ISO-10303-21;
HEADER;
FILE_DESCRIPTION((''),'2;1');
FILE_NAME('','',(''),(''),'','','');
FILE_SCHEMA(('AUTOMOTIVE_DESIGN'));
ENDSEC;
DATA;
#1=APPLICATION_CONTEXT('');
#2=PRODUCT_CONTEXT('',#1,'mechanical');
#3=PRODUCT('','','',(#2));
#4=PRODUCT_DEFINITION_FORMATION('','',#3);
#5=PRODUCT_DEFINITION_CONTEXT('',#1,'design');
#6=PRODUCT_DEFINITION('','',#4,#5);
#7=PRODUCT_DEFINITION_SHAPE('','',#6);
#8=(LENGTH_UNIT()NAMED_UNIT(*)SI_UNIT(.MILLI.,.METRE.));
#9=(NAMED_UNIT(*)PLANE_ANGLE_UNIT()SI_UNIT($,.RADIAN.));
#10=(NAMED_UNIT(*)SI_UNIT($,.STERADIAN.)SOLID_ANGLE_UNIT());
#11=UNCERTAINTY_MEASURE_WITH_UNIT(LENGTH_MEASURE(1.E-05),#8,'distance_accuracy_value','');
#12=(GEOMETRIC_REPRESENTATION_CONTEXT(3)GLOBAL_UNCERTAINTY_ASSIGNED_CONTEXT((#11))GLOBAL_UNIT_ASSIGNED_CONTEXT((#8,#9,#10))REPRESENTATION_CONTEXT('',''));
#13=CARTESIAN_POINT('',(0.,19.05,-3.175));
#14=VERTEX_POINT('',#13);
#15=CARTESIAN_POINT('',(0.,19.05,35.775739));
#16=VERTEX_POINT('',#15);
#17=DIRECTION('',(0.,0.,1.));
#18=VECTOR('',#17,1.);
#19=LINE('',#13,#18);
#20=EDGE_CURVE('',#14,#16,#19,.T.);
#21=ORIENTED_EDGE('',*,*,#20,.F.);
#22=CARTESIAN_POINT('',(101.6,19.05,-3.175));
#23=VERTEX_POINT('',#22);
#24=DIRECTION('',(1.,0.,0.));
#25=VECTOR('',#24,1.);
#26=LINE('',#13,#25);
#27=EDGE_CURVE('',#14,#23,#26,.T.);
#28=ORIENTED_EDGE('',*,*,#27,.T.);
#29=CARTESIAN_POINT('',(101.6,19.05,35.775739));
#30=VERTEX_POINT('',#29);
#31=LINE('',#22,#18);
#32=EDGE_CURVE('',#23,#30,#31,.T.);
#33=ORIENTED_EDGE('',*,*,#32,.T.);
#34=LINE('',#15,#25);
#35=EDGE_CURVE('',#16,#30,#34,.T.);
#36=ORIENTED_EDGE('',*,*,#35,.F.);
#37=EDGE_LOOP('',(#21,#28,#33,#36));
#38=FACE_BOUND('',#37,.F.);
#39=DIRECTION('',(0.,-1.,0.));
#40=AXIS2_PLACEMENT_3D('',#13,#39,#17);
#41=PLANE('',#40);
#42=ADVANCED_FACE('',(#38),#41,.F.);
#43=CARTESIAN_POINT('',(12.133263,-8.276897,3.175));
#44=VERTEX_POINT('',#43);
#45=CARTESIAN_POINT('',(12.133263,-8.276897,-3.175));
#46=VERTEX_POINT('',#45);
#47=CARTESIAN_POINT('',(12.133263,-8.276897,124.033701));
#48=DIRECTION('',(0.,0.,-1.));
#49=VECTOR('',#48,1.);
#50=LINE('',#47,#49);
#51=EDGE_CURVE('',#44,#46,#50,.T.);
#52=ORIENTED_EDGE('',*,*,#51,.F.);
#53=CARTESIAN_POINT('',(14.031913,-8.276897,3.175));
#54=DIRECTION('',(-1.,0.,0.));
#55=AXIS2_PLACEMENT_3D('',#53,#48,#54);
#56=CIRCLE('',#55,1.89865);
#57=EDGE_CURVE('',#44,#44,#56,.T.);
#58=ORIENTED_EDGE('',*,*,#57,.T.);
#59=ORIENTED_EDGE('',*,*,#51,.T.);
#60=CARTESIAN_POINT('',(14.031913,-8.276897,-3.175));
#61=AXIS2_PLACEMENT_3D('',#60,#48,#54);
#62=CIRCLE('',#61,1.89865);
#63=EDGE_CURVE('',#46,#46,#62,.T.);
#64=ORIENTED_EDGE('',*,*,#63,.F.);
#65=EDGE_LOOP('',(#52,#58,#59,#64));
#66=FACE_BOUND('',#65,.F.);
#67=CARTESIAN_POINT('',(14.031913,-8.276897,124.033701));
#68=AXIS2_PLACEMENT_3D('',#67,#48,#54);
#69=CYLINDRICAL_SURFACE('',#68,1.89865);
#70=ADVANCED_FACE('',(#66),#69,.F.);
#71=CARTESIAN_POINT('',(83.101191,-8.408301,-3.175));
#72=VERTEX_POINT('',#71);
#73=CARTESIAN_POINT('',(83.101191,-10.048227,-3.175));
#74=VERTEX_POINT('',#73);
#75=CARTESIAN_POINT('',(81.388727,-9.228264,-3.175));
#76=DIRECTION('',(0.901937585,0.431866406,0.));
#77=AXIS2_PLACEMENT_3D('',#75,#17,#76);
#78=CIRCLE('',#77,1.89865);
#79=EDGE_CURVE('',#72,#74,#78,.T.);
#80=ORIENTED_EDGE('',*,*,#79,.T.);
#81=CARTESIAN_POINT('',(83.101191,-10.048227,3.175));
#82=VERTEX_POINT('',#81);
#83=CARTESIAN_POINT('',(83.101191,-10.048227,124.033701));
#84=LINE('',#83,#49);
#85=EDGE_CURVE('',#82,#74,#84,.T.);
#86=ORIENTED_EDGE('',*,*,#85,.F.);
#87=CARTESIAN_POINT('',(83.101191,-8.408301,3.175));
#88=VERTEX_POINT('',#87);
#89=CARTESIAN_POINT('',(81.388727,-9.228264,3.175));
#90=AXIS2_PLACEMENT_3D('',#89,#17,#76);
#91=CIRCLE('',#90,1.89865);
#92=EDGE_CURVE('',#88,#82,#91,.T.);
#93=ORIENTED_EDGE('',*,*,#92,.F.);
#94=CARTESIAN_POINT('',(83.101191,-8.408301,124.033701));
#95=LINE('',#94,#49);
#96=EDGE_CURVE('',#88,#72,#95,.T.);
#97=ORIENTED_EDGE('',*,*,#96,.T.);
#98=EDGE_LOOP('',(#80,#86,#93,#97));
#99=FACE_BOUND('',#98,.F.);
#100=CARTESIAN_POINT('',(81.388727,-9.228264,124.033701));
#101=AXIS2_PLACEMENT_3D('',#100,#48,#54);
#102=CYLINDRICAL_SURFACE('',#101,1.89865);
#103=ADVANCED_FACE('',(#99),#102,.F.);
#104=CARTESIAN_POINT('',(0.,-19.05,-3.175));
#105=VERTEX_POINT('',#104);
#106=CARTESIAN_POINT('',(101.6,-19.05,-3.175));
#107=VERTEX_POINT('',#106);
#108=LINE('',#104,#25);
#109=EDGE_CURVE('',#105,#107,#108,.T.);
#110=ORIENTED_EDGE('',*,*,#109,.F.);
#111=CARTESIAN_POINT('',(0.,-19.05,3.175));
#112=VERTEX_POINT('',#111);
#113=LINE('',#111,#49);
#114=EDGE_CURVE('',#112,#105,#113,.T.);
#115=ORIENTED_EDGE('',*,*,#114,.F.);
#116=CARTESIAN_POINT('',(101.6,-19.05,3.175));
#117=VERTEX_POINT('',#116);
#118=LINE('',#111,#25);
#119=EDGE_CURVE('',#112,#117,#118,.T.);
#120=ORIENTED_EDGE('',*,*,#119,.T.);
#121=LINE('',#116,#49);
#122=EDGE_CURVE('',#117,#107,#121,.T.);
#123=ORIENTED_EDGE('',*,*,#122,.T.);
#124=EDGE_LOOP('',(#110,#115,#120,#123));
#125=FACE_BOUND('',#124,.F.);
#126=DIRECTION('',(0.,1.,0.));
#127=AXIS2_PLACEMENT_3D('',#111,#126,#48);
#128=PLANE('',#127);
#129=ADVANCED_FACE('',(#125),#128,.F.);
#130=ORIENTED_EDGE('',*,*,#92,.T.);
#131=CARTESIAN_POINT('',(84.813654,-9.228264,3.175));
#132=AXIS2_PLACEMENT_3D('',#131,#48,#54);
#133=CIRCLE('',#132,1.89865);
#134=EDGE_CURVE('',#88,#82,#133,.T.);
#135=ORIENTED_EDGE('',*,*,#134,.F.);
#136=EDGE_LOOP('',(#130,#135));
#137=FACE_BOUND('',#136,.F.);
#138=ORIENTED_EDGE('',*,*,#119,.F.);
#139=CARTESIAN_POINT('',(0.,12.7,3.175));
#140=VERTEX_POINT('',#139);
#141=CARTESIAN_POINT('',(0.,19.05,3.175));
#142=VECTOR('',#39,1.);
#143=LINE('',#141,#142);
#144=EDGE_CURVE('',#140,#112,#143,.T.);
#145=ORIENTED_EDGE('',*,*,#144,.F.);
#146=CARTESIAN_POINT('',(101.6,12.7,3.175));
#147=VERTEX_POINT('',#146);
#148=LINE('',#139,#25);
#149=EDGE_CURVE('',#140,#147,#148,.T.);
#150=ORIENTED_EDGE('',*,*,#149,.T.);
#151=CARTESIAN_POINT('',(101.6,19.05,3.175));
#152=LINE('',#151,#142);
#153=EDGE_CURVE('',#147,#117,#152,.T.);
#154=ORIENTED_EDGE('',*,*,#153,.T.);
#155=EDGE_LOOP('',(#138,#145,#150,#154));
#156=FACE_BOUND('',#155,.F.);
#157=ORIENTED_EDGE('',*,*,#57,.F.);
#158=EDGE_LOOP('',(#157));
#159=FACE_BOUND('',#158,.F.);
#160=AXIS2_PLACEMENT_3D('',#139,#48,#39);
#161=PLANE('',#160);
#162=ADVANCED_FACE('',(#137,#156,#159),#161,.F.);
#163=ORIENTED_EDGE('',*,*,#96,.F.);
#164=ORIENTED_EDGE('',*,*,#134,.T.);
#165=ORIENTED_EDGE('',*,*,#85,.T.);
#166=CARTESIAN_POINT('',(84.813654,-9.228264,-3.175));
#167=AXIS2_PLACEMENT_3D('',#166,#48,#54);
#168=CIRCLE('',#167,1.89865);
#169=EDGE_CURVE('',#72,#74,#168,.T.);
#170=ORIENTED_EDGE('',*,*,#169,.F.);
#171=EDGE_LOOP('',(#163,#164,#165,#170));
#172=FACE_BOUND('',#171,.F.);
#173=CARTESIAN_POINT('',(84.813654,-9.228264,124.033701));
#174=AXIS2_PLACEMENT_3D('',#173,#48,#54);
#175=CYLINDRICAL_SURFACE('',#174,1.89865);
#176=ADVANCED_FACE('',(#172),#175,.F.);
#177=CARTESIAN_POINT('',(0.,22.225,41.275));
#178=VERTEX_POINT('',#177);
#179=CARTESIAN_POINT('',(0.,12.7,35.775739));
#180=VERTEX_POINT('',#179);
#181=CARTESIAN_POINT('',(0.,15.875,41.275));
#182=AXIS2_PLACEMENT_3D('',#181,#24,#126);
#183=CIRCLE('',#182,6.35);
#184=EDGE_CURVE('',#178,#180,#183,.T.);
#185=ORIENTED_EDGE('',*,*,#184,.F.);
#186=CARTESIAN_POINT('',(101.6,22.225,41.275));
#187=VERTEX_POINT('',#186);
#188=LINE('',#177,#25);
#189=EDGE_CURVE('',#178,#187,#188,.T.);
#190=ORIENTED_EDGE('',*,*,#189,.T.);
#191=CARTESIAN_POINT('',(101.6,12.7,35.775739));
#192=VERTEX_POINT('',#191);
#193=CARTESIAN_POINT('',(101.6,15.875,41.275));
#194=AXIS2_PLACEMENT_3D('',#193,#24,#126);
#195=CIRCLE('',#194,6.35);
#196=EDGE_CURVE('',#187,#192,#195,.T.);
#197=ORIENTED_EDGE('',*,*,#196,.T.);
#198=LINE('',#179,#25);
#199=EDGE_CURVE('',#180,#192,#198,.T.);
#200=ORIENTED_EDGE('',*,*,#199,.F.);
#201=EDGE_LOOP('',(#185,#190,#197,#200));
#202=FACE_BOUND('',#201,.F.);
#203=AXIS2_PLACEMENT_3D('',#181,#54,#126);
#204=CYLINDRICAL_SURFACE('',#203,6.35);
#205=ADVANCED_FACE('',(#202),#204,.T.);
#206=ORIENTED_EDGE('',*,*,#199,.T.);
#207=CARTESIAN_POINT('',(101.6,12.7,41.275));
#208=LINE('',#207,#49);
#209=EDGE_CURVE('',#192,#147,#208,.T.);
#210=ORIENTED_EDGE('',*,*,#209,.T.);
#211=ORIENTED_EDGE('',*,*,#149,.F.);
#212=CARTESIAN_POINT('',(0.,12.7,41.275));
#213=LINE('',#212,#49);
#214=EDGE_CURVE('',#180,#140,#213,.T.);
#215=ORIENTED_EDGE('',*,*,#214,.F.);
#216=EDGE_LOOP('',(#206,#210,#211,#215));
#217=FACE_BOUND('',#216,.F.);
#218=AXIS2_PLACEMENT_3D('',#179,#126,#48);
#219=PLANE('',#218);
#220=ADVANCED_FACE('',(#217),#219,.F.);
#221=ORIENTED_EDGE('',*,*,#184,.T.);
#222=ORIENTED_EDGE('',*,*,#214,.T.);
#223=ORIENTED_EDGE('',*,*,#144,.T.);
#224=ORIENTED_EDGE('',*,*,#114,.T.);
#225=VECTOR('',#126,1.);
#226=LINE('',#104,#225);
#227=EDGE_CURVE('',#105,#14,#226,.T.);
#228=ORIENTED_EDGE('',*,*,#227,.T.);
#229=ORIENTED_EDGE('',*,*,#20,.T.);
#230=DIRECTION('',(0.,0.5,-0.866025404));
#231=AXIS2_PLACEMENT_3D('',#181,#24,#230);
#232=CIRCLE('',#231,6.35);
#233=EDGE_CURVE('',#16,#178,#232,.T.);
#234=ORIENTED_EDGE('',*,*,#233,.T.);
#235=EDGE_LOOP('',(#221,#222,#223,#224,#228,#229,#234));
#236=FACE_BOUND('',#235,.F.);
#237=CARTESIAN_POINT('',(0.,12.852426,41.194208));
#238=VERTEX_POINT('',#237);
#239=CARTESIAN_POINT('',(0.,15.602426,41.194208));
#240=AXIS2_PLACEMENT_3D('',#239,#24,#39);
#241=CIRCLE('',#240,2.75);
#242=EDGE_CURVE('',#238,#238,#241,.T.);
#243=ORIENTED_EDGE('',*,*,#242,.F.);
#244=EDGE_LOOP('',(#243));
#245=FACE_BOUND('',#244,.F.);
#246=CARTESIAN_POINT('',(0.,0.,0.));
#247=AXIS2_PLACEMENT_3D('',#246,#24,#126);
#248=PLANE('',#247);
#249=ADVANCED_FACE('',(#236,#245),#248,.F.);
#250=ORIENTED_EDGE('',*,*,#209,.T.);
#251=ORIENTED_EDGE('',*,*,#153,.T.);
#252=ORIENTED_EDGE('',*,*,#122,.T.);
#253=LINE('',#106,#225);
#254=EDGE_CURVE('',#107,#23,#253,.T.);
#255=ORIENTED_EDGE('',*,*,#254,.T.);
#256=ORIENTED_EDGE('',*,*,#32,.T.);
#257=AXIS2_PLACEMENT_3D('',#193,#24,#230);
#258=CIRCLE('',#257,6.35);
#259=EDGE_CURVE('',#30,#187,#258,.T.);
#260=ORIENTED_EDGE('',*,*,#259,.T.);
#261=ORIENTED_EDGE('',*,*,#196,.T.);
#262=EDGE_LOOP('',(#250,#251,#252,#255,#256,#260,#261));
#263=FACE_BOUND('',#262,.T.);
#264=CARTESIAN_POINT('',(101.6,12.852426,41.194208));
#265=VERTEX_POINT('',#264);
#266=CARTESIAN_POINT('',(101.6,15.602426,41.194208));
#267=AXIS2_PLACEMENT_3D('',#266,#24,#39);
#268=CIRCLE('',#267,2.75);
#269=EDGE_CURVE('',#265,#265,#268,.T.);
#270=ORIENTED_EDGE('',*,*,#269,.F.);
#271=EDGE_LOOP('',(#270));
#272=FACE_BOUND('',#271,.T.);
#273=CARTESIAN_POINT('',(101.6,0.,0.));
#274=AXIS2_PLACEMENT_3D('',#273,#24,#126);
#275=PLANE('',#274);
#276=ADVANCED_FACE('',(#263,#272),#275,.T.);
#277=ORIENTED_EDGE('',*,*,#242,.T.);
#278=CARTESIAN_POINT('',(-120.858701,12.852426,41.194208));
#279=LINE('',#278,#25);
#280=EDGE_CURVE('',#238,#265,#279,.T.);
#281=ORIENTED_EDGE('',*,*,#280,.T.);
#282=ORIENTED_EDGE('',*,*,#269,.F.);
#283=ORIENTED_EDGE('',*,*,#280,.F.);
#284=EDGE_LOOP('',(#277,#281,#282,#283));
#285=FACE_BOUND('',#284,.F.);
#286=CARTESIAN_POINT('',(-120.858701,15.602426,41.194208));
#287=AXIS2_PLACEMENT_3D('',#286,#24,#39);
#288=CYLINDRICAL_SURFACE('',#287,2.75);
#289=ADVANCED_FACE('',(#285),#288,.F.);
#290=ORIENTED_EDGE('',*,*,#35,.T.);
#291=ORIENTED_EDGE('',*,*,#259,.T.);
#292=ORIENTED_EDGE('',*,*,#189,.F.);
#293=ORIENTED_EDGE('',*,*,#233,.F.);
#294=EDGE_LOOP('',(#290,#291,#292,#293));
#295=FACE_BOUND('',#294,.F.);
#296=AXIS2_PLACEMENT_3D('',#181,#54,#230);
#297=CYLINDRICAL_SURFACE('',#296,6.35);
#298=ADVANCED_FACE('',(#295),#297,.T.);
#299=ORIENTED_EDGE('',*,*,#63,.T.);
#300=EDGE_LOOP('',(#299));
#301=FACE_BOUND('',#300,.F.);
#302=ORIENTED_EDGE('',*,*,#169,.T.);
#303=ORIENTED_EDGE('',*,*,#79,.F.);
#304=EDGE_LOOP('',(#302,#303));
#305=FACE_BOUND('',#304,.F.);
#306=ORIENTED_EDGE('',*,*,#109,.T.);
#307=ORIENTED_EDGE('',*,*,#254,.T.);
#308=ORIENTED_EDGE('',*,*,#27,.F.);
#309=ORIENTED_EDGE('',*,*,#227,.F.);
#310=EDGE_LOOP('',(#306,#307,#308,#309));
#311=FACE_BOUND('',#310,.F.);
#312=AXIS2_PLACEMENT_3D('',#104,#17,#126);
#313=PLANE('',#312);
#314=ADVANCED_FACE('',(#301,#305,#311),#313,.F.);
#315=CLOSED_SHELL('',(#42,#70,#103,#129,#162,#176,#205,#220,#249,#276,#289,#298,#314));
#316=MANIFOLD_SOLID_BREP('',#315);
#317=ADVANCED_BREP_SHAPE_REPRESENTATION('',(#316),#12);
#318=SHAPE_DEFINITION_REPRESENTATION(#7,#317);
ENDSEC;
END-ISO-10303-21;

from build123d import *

# Parameters (mm, degrees)
F1_DEPTH = 101.6
F3_D     = 5.5
F5_D     = 3.7973


with BuildPart() as f1:
    # F0 (on Right) → F1 (new body)
    with BuildSketch(Plane.YZ):
        Polygon((-19.05, -3.175), (19.05, -3.175), (19.05, 3.175), (12.7, 3.175), (-19.05, 3.175), align=None)
        with BuildLine():
            Line((12.7, 3.175), (19.05, 3.175))
            Line((19.05, 3.175), (19.05, 35.775738686))
            ThreePointArc((19.05, 35.775738686), (15.875, 34.925), (12.7, 35.775738686))
            Line((12.7, 35.775738686), (12.7, 3.175))
        make_face()
        with BuildLine():
            ThreePointArc((12.7, 35.775738686), (15.875, 34.925), (19.05, 35.775738686))
            Line((19.05, 35.775738686), (19.05, 41.275))
            Line((19.05, 41.275), (12.7, 41.275))
            Line((12.7, 41.275), (12.7, 35.775738686))
        make_face()
        with BuildLine():
            Line((19.05, 41.275), (19.05, 35.775738686))
            ThreePointArc((19.05, 35.775738686), (21.374261314, 38.1), (22.225, 41.275))
            ThreePointArc((22.225, 41.275), (12.7, 46.774261314), (12.7, 35.775738686))
            Line((12.7, 35.775738686), (12.7, 41.275))
            Line((12.7, 41.275), (19.05, 41.275))
        make_face()
    extrude(amount=F1_DEPTH)

    # F3 (through all)
    with Locations(Plane(origin=(0, 0, 0), x_dir=(0, 1, 0), z_dir=(-1, 0, 0))):
        with Locations((15.6024256721, -41.1942079663)):
            Hole(F3_D / 2)

    # F5 (through all)
    with Locations(Plane.XY.offset(3.175)):
        with Locations((14.0319131315, -8.2768965513), (81.3887268305, -9.2282639816), (84.8136544228, -9.2282639816)):
            Hole(F5_D / 2)


solid = f1.part
